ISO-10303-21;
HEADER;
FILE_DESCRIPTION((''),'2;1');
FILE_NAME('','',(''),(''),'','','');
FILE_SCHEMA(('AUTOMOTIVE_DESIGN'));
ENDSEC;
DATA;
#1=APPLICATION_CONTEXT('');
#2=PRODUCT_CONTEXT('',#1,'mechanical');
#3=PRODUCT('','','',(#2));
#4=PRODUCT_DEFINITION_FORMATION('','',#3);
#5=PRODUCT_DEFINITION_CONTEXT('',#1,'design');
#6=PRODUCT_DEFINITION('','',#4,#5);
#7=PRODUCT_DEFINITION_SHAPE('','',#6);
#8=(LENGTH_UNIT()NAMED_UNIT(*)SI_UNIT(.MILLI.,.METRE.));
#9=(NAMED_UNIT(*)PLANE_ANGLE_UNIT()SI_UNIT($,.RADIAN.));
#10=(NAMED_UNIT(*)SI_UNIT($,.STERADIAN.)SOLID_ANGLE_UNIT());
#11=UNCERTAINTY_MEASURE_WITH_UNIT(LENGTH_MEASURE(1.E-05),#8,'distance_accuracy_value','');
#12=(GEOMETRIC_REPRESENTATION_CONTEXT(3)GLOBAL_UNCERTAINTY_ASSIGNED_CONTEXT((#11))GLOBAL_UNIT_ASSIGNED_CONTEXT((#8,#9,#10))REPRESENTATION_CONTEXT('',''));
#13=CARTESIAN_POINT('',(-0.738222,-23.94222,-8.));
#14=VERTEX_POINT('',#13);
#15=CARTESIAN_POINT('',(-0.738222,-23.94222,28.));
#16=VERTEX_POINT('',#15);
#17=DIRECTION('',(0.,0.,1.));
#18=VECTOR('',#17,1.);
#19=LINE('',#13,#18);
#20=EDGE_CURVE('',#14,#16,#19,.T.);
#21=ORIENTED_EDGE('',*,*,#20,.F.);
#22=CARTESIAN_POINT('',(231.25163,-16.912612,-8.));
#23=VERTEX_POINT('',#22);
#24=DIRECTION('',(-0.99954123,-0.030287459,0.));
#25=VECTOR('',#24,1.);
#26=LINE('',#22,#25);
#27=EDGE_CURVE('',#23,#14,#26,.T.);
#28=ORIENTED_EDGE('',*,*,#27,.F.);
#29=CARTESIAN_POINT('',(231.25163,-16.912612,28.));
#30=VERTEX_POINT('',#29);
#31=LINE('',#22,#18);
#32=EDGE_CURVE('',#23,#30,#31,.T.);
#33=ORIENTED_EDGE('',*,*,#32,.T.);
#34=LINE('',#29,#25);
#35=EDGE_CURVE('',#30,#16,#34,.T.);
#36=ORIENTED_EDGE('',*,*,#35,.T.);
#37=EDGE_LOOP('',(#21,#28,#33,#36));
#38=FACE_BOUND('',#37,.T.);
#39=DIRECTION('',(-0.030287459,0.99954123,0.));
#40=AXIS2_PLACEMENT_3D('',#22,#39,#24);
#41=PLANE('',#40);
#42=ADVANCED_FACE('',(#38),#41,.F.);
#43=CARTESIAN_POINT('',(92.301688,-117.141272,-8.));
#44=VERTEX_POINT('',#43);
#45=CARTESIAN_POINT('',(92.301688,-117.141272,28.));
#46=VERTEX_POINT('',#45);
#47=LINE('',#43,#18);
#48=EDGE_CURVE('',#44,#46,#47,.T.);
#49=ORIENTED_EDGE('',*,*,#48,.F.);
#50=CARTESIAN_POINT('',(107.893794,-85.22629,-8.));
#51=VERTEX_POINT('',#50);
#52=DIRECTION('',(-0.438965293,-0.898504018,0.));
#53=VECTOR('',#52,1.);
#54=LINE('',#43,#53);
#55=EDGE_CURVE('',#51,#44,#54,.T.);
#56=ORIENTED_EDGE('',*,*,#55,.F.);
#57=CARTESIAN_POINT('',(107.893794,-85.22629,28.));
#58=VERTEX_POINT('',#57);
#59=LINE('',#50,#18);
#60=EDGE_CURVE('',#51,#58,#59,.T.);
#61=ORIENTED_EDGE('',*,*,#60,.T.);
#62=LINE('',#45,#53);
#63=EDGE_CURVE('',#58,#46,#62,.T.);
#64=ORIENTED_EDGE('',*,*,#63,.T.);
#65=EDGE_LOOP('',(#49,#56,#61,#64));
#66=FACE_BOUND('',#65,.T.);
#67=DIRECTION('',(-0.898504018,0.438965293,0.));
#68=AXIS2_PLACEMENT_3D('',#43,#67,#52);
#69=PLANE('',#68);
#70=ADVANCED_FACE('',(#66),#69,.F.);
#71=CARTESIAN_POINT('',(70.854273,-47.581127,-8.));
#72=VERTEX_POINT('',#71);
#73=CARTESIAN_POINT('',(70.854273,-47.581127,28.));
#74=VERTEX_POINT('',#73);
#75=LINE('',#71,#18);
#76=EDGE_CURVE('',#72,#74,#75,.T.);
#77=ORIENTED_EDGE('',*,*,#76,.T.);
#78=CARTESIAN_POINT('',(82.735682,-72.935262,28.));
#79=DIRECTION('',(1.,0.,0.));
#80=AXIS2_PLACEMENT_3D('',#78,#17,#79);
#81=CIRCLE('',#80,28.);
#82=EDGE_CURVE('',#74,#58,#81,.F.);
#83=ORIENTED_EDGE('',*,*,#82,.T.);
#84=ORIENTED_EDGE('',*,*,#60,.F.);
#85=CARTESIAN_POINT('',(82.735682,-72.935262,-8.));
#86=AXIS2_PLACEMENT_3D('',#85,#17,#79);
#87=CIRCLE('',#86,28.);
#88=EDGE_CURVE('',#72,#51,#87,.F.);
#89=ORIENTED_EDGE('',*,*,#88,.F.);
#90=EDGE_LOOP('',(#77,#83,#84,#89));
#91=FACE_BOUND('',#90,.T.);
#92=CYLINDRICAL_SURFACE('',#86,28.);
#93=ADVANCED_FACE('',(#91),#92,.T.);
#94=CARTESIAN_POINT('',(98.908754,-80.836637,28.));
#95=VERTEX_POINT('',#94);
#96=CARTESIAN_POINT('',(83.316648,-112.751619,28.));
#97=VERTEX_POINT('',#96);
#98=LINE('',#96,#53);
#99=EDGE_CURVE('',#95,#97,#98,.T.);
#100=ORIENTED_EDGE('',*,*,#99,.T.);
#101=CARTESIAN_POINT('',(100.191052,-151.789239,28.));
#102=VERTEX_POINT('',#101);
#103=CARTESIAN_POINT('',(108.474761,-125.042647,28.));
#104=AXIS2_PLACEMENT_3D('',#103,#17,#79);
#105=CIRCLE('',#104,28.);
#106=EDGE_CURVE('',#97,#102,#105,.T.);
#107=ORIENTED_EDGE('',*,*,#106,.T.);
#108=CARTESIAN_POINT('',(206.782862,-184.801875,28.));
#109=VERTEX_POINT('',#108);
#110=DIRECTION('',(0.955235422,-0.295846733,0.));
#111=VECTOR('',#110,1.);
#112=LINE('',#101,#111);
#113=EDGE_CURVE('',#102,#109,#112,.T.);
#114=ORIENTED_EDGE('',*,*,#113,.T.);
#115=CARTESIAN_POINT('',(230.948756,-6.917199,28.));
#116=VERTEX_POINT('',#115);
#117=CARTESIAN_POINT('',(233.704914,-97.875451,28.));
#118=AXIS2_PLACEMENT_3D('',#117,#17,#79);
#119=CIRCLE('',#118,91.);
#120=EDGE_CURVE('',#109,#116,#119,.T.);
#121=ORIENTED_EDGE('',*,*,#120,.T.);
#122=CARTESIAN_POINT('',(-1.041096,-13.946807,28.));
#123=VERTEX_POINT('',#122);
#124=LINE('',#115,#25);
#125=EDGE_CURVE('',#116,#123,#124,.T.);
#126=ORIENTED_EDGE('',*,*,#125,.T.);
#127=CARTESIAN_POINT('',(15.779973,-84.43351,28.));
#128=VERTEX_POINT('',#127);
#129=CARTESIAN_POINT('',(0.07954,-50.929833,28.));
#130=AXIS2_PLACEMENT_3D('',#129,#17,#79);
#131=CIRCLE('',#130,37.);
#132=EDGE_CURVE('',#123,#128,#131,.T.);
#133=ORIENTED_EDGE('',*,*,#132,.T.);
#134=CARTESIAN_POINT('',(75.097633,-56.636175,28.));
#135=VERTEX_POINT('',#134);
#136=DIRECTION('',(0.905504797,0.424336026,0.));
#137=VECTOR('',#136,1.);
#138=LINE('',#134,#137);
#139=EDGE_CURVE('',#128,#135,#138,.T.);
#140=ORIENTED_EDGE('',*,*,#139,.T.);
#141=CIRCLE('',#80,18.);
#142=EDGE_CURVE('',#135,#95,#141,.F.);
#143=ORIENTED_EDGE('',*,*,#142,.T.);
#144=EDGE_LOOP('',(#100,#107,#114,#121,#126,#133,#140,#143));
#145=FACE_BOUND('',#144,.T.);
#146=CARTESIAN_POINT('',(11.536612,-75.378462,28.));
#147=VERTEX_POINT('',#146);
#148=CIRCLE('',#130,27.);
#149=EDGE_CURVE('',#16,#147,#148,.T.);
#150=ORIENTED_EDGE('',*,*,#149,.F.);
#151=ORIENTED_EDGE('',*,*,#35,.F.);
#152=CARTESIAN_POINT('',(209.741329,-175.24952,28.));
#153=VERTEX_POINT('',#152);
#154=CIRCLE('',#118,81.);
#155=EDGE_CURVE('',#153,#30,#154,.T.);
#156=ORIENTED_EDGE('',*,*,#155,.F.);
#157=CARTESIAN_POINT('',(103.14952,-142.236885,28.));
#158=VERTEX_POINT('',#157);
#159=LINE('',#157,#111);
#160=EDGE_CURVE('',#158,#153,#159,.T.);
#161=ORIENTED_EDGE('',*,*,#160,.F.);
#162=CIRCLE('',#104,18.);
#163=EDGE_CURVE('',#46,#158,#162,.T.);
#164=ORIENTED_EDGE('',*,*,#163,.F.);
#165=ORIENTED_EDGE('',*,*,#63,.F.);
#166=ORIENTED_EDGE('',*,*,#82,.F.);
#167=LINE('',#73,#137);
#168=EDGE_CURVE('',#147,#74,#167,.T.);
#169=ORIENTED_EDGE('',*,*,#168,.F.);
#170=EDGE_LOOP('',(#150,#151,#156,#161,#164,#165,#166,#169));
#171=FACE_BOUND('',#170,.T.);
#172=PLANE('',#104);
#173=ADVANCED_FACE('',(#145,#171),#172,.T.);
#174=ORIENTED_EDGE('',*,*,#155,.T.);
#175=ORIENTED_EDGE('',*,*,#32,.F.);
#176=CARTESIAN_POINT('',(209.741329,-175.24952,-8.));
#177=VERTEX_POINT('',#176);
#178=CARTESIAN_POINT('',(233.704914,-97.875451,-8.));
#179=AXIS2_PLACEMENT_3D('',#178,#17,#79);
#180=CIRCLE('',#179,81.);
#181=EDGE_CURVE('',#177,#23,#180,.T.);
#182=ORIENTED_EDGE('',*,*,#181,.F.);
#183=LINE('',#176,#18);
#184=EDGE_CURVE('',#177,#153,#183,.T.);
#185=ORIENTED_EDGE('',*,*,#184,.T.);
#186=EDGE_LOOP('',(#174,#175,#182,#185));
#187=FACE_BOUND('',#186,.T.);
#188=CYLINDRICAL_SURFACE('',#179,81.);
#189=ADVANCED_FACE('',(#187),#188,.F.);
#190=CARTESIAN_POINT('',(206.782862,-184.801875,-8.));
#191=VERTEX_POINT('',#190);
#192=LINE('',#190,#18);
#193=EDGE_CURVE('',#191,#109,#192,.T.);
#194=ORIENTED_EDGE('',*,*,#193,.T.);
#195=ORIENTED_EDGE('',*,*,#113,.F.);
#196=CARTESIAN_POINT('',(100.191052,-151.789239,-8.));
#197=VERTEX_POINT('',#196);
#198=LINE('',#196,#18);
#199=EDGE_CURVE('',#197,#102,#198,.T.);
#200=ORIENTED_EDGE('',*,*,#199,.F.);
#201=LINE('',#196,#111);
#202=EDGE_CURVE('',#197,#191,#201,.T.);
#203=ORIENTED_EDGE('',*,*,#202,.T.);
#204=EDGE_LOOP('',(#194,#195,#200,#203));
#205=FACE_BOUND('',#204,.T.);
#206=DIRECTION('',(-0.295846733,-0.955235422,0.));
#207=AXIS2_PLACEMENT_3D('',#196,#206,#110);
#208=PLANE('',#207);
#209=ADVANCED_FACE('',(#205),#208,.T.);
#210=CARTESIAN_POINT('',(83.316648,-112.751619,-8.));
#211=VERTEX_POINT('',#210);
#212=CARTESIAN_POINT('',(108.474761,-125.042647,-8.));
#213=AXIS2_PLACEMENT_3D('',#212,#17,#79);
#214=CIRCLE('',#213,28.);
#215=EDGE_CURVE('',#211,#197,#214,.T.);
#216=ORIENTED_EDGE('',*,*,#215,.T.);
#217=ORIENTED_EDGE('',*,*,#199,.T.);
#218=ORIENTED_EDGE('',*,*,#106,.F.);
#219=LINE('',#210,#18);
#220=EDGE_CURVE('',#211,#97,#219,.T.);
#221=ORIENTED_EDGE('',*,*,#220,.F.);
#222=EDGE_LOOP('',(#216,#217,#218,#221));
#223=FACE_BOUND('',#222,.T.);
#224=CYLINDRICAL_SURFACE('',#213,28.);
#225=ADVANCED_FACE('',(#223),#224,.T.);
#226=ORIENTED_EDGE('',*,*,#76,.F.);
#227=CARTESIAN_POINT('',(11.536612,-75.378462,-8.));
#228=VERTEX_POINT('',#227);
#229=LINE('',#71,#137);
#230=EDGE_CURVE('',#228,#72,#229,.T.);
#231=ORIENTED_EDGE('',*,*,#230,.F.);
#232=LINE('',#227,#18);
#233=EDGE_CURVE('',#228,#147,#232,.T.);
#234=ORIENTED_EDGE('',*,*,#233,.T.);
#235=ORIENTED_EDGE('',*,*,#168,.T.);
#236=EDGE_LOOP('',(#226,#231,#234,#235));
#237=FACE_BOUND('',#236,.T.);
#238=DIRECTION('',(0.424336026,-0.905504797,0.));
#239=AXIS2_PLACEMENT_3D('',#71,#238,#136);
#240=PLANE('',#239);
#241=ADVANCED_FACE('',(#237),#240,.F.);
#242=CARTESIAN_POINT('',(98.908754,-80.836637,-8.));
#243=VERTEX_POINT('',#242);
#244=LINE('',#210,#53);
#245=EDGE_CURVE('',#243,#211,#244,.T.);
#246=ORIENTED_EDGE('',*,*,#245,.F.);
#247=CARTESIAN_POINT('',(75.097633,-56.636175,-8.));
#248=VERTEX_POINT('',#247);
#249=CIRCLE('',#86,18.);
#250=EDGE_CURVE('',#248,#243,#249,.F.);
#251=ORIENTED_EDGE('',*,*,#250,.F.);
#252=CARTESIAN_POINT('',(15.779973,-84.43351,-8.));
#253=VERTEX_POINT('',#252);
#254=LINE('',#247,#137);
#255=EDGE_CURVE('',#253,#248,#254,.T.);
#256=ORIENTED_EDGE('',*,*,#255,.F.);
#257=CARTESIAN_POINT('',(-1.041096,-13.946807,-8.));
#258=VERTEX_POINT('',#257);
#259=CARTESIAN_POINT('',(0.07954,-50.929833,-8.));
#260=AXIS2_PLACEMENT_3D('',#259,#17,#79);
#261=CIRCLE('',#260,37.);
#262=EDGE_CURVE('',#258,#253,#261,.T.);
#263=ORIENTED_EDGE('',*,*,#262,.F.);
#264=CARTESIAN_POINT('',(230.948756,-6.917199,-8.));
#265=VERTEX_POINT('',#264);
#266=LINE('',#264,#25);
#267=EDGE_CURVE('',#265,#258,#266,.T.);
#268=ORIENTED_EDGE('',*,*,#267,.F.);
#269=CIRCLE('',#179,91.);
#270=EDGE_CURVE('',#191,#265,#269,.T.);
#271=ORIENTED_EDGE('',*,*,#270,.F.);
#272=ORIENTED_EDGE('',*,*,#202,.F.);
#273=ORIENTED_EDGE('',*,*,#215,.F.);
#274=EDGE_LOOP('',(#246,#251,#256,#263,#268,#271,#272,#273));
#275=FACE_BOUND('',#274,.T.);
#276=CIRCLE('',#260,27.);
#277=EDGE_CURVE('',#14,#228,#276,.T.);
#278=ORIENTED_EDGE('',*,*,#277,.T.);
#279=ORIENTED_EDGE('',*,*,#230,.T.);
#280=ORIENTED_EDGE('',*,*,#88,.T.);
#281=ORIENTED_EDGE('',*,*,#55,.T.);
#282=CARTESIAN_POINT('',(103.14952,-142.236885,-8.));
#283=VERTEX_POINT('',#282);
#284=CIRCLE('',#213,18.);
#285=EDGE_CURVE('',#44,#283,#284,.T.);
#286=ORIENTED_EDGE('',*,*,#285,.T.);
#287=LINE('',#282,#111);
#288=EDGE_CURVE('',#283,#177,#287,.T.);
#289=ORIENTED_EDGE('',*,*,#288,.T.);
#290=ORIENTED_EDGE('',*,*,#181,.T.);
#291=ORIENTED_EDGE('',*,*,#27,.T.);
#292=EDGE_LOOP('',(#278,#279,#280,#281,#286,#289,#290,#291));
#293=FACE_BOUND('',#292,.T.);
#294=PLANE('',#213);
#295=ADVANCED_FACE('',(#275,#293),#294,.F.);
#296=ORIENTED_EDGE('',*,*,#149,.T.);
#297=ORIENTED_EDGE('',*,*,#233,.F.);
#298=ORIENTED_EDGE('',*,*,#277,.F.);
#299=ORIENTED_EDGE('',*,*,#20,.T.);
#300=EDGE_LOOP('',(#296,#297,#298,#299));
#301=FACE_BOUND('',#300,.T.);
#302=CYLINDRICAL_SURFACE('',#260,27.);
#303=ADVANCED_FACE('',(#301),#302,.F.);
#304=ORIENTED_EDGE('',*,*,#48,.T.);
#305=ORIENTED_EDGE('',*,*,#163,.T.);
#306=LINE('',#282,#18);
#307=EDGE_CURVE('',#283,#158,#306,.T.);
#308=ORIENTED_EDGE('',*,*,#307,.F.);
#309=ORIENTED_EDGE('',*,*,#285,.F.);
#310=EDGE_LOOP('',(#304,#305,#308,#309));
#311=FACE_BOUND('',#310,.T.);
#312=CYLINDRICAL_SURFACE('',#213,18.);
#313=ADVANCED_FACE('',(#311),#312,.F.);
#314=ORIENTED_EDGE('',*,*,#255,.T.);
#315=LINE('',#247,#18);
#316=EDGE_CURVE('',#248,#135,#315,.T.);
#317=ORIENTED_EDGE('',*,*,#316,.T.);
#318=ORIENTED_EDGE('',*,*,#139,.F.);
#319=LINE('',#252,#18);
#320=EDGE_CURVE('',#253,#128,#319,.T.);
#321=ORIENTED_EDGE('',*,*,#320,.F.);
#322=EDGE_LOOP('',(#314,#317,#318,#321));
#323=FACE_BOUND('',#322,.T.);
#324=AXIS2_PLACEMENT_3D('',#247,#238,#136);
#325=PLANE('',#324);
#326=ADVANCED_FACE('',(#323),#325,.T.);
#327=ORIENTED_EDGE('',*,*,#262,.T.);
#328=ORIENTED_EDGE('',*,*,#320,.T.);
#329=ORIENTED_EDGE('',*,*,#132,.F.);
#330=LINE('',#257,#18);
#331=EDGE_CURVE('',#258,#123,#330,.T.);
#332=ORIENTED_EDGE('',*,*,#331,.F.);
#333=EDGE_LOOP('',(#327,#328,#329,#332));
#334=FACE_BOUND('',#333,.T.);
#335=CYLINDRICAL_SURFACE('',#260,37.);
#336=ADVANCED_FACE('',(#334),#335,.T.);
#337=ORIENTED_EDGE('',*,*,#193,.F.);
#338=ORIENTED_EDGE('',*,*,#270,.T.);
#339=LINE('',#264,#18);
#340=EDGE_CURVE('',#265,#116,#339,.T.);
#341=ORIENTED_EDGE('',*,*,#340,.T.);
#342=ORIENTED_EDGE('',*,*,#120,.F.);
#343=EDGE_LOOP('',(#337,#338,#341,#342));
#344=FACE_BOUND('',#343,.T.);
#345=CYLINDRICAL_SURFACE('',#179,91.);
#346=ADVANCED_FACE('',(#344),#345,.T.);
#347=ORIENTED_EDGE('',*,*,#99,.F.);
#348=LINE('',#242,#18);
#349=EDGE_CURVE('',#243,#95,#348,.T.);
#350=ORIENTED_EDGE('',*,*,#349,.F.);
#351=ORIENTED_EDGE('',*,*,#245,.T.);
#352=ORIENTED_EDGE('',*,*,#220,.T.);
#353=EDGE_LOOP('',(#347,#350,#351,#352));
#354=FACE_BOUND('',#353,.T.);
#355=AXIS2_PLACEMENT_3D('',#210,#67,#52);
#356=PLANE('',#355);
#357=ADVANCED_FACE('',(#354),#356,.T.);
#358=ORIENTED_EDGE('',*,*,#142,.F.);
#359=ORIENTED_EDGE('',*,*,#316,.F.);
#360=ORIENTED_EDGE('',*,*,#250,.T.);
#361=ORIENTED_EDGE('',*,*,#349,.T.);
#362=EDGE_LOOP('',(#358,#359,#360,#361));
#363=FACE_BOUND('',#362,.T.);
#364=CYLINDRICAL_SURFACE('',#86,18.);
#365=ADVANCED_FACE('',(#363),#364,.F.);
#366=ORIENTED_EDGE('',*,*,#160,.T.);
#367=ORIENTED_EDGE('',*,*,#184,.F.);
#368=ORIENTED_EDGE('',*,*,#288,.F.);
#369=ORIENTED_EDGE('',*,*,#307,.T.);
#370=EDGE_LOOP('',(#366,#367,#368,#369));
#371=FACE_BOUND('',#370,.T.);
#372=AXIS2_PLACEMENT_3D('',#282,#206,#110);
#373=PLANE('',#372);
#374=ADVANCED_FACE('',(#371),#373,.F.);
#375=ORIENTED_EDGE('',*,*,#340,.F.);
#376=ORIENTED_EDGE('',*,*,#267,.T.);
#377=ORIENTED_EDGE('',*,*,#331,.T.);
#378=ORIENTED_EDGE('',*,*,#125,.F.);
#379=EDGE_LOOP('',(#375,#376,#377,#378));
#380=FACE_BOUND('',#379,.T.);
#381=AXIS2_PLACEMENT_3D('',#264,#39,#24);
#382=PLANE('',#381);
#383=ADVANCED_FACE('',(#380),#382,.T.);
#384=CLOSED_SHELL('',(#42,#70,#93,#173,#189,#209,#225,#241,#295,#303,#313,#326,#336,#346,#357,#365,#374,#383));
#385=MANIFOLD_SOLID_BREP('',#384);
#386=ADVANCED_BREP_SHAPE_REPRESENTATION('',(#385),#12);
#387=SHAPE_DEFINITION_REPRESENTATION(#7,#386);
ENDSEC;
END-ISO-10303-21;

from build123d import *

# Parameters (mm, degrees)
EXTRUDE_THIN1_DEPTH      = 28
EXTRUDE_THIN1_DEPTH_BACK = 8


with BuildPart() as part:
    # Sketch1 → Extrude-Thin1 (new, two sides: drawn at the far end of the back side and taken through both)
    with BuildSketch(Plane.XY.offset(-EXTRUDE_THIN1_DEPTH_BACK)):
        with BuildLine():
            Line((75.09763305, -56.636175287), (15.779972756, -84.433510373))
            ThreePointArc((15.779972756, -84.433510373), (-35.90985371, -59.518404132), (-1.041096203, -13.946807397))
            Line((-1.041096203, -13.946807397), (230.948755637, -6.917199265))
            ThreePointArc((230.948755637, -6.917199265), (323.876631062, -110.125411065), (206.782861721, -184.801874528))
            Line((206.782861721, -184.801874528), (100.191052218, -151.789239227))
            ThreePointArc((100.191052218, -151.789239227), (82.773150037, -136.152427225), (83.316648222, -112.75161921))
            Line((83.316648222, -112.75161921), (98.908753856, -80.836636907))
            ThreePointArc((98.908753856, -80.836636907), (95.566396379, -60.310969319), (75.09763305, -56.636175287))
        make_face()
        with BuildLine():
            Line((70.854272788, -47.58112732), (11.536612494, -75.378462406))
            ThreePointArc((11.536612494, -75.378462406), (-26.182990603, -57.197168663), (-0.738221611, -23.942219694))
            Line((-0.738221611, -23.942219694), (231.251630228, -16.912611562))
            ThreePointArc((231.251630228, -16.912611562), (313.967651211, -108.779261625), (209.74132905, -175.249520313))
            Line((209.74132905, -175.249520313), (103.149519547, -142.236885012))
            ThreePointArc((103.149519547, -142.236885012), (91.952296716, -132.184648724), (92.301688407, -117.141272143))
            Line((92.301688407, -117.141272143), (107.893794041, -85.22628984))
            ThreePointArc((107.893794041, -85.22628984), (102.6945713, -53.297473593), (70.854272788, -47.58112732))
        make_face(mode=Mode.SUBTRACT)
    extrude(amount=EXTRUDE_THIN1_DEPTH + EXTRUDE_THIN1_DEPTH_BACK)


solid = part.part
